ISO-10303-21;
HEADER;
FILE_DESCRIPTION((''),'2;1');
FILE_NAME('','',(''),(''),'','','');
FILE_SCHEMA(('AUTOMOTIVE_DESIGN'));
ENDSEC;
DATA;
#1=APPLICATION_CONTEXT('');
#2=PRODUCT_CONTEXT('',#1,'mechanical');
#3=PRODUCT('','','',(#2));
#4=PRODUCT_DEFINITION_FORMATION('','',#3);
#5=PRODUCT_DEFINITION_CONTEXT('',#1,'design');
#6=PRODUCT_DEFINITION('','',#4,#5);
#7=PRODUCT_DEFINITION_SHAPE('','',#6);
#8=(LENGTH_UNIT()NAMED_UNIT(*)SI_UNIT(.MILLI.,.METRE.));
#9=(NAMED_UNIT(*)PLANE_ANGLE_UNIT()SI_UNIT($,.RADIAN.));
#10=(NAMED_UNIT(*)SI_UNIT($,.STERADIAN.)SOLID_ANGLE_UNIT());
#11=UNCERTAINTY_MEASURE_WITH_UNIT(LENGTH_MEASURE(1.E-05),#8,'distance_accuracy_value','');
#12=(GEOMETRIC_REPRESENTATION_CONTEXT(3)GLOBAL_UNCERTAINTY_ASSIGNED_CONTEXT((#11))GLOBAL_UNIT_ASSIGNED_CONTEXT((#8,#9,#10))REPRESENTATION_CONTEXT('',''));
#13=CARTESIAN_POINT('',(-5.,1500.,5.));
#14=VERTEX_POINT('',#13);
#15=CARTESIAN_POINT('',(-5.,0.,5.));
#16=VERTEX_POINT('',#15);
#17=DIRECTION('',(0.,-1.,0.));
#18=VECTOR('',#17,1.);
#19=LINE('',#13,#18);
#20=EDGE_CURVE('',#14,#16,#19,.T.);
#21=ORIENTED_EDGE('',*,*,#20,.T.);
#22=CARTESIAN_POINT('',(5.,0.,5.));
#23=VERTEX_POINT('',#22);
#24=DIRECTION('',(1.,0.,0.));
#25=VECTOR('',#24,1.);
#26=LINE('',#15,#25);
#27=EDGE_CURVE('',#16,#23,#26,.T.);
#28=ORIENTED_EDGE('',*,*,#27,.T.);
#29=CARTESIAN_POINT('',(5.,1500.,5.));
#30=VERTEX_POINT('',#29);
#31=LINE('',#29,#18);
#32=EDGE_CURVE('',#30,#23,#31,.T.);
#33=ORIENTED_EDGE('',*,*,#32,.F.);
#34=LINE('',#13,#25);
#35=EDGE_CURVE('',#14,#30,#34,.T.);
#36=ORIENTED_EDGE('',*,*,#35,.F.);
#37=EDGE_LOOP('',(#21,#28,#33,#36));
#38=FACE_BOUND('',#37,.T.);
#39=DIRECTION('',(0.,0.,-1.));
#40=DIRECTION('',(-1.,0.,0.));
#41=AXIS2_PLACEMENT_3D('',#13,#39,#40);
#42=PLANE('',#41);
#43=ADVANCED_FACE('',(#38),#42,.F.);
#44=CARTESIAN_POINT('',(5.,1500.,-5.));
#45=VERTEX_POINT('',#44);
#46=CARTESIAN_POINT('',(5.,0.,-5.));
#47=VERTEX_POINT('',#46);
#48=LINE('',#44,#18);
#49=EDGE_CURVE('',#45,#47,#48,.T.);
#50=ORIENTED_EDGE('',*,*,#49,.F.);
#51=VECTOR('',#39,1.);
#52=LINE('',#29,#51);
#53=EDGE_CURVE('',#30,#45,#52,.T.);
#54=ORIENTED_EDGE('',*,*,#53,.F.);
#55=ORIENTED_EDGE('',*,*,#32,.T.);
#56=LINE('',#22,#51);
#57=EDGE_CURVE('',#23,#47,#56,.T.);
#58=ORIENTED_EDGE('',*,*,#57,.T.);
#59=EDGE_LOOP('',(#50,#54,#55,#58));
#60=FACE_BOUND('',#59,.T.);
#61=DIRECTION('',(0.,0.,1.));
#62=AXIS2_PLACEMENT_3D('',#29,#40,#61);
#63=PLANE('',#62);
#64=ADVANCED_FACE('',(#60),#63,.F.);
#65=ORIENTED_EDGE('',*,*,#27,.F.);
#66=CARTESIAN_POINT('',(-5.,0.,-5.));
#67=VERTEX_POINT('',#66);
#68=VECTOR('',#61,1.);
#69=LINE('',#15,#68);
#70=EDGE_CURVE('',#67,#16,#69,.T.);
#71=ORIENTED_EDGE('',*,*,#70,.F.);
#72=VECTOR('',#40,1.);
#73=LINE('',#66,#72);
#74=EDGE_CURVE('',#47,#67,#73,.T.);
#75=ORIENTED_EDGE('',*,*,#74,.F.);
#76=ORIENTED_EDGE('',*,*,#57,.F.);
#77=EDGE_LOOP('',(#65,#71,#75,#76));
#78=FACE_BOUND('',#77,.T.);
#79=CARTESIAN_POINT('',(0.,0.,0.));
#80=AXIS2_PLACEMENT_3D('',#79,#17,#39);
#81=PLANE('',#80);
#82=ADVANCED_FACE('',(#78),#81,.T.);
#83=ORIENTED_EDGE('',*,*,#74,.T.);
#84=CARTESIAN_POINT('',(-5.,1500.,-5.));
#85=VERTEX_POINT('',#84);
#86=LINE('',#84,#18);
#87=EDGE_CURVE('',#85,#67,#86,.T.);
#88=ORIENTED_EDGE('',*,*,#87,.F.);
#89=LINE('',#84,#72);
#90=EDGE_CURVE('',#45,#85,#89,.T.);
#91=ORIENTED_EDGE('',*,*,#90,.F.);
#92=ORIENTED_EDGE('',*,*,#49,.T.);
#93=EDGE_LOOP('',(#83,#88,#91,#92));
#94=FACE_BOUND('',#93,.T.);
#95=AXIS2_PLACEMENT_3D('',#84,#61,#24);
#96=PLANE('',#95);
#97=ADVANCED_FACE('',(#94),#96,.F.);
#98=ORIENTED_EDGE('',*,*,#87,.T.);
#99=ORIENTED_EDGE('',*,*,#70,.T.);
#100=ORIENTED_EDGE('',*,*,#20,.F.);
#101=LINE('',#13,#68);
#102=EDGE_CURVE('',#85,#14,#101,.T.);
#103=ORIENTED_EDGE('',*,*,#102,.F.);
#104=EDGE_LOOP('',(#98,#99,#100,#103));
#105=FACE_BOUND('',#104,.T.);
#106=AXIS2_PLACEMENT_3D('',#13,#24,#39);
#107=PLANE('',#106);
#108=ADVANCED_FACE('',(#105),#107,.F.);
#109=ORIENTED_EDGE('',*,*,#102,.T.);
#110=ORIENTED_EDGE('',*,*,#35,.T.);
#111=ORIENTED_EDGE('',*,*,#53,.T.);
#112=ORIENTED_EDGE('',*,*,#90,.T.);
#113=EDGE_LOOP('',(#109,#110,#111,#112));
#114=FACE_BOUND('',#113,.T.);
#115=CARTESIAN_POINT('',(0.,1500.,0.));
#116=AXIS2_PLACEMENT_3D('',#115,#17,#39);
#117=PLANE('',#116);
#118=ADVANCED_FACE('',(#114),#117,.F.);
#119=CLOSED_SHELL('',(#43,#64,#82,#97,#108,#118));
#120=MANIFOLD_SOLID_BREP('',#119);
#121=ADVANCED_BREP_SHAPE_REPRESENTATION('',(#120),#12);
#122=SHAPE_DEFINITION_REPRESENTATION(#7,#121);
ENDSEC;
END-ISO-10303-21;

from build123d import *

# Parameters (mm, degrees)
SKETCH1_W           = 10
SKETCH1_H           = 10
BOSS_EXTRUDE1_DEPTH = 1500


with BuildPart() as part:
    # Sketch1 → Boss-Extrude1 (new body)
    with BuildSketch(Plane(origin=(0, 0, 0), x_dir=(1, 0, 0), z_dir=(0, 1, 0))):
        Rectangle(SKETCH1_W, SKETCH1_H)
    extrude(amount=BOSS_EXTRUDE1_DEPTH)


solid = part.part
